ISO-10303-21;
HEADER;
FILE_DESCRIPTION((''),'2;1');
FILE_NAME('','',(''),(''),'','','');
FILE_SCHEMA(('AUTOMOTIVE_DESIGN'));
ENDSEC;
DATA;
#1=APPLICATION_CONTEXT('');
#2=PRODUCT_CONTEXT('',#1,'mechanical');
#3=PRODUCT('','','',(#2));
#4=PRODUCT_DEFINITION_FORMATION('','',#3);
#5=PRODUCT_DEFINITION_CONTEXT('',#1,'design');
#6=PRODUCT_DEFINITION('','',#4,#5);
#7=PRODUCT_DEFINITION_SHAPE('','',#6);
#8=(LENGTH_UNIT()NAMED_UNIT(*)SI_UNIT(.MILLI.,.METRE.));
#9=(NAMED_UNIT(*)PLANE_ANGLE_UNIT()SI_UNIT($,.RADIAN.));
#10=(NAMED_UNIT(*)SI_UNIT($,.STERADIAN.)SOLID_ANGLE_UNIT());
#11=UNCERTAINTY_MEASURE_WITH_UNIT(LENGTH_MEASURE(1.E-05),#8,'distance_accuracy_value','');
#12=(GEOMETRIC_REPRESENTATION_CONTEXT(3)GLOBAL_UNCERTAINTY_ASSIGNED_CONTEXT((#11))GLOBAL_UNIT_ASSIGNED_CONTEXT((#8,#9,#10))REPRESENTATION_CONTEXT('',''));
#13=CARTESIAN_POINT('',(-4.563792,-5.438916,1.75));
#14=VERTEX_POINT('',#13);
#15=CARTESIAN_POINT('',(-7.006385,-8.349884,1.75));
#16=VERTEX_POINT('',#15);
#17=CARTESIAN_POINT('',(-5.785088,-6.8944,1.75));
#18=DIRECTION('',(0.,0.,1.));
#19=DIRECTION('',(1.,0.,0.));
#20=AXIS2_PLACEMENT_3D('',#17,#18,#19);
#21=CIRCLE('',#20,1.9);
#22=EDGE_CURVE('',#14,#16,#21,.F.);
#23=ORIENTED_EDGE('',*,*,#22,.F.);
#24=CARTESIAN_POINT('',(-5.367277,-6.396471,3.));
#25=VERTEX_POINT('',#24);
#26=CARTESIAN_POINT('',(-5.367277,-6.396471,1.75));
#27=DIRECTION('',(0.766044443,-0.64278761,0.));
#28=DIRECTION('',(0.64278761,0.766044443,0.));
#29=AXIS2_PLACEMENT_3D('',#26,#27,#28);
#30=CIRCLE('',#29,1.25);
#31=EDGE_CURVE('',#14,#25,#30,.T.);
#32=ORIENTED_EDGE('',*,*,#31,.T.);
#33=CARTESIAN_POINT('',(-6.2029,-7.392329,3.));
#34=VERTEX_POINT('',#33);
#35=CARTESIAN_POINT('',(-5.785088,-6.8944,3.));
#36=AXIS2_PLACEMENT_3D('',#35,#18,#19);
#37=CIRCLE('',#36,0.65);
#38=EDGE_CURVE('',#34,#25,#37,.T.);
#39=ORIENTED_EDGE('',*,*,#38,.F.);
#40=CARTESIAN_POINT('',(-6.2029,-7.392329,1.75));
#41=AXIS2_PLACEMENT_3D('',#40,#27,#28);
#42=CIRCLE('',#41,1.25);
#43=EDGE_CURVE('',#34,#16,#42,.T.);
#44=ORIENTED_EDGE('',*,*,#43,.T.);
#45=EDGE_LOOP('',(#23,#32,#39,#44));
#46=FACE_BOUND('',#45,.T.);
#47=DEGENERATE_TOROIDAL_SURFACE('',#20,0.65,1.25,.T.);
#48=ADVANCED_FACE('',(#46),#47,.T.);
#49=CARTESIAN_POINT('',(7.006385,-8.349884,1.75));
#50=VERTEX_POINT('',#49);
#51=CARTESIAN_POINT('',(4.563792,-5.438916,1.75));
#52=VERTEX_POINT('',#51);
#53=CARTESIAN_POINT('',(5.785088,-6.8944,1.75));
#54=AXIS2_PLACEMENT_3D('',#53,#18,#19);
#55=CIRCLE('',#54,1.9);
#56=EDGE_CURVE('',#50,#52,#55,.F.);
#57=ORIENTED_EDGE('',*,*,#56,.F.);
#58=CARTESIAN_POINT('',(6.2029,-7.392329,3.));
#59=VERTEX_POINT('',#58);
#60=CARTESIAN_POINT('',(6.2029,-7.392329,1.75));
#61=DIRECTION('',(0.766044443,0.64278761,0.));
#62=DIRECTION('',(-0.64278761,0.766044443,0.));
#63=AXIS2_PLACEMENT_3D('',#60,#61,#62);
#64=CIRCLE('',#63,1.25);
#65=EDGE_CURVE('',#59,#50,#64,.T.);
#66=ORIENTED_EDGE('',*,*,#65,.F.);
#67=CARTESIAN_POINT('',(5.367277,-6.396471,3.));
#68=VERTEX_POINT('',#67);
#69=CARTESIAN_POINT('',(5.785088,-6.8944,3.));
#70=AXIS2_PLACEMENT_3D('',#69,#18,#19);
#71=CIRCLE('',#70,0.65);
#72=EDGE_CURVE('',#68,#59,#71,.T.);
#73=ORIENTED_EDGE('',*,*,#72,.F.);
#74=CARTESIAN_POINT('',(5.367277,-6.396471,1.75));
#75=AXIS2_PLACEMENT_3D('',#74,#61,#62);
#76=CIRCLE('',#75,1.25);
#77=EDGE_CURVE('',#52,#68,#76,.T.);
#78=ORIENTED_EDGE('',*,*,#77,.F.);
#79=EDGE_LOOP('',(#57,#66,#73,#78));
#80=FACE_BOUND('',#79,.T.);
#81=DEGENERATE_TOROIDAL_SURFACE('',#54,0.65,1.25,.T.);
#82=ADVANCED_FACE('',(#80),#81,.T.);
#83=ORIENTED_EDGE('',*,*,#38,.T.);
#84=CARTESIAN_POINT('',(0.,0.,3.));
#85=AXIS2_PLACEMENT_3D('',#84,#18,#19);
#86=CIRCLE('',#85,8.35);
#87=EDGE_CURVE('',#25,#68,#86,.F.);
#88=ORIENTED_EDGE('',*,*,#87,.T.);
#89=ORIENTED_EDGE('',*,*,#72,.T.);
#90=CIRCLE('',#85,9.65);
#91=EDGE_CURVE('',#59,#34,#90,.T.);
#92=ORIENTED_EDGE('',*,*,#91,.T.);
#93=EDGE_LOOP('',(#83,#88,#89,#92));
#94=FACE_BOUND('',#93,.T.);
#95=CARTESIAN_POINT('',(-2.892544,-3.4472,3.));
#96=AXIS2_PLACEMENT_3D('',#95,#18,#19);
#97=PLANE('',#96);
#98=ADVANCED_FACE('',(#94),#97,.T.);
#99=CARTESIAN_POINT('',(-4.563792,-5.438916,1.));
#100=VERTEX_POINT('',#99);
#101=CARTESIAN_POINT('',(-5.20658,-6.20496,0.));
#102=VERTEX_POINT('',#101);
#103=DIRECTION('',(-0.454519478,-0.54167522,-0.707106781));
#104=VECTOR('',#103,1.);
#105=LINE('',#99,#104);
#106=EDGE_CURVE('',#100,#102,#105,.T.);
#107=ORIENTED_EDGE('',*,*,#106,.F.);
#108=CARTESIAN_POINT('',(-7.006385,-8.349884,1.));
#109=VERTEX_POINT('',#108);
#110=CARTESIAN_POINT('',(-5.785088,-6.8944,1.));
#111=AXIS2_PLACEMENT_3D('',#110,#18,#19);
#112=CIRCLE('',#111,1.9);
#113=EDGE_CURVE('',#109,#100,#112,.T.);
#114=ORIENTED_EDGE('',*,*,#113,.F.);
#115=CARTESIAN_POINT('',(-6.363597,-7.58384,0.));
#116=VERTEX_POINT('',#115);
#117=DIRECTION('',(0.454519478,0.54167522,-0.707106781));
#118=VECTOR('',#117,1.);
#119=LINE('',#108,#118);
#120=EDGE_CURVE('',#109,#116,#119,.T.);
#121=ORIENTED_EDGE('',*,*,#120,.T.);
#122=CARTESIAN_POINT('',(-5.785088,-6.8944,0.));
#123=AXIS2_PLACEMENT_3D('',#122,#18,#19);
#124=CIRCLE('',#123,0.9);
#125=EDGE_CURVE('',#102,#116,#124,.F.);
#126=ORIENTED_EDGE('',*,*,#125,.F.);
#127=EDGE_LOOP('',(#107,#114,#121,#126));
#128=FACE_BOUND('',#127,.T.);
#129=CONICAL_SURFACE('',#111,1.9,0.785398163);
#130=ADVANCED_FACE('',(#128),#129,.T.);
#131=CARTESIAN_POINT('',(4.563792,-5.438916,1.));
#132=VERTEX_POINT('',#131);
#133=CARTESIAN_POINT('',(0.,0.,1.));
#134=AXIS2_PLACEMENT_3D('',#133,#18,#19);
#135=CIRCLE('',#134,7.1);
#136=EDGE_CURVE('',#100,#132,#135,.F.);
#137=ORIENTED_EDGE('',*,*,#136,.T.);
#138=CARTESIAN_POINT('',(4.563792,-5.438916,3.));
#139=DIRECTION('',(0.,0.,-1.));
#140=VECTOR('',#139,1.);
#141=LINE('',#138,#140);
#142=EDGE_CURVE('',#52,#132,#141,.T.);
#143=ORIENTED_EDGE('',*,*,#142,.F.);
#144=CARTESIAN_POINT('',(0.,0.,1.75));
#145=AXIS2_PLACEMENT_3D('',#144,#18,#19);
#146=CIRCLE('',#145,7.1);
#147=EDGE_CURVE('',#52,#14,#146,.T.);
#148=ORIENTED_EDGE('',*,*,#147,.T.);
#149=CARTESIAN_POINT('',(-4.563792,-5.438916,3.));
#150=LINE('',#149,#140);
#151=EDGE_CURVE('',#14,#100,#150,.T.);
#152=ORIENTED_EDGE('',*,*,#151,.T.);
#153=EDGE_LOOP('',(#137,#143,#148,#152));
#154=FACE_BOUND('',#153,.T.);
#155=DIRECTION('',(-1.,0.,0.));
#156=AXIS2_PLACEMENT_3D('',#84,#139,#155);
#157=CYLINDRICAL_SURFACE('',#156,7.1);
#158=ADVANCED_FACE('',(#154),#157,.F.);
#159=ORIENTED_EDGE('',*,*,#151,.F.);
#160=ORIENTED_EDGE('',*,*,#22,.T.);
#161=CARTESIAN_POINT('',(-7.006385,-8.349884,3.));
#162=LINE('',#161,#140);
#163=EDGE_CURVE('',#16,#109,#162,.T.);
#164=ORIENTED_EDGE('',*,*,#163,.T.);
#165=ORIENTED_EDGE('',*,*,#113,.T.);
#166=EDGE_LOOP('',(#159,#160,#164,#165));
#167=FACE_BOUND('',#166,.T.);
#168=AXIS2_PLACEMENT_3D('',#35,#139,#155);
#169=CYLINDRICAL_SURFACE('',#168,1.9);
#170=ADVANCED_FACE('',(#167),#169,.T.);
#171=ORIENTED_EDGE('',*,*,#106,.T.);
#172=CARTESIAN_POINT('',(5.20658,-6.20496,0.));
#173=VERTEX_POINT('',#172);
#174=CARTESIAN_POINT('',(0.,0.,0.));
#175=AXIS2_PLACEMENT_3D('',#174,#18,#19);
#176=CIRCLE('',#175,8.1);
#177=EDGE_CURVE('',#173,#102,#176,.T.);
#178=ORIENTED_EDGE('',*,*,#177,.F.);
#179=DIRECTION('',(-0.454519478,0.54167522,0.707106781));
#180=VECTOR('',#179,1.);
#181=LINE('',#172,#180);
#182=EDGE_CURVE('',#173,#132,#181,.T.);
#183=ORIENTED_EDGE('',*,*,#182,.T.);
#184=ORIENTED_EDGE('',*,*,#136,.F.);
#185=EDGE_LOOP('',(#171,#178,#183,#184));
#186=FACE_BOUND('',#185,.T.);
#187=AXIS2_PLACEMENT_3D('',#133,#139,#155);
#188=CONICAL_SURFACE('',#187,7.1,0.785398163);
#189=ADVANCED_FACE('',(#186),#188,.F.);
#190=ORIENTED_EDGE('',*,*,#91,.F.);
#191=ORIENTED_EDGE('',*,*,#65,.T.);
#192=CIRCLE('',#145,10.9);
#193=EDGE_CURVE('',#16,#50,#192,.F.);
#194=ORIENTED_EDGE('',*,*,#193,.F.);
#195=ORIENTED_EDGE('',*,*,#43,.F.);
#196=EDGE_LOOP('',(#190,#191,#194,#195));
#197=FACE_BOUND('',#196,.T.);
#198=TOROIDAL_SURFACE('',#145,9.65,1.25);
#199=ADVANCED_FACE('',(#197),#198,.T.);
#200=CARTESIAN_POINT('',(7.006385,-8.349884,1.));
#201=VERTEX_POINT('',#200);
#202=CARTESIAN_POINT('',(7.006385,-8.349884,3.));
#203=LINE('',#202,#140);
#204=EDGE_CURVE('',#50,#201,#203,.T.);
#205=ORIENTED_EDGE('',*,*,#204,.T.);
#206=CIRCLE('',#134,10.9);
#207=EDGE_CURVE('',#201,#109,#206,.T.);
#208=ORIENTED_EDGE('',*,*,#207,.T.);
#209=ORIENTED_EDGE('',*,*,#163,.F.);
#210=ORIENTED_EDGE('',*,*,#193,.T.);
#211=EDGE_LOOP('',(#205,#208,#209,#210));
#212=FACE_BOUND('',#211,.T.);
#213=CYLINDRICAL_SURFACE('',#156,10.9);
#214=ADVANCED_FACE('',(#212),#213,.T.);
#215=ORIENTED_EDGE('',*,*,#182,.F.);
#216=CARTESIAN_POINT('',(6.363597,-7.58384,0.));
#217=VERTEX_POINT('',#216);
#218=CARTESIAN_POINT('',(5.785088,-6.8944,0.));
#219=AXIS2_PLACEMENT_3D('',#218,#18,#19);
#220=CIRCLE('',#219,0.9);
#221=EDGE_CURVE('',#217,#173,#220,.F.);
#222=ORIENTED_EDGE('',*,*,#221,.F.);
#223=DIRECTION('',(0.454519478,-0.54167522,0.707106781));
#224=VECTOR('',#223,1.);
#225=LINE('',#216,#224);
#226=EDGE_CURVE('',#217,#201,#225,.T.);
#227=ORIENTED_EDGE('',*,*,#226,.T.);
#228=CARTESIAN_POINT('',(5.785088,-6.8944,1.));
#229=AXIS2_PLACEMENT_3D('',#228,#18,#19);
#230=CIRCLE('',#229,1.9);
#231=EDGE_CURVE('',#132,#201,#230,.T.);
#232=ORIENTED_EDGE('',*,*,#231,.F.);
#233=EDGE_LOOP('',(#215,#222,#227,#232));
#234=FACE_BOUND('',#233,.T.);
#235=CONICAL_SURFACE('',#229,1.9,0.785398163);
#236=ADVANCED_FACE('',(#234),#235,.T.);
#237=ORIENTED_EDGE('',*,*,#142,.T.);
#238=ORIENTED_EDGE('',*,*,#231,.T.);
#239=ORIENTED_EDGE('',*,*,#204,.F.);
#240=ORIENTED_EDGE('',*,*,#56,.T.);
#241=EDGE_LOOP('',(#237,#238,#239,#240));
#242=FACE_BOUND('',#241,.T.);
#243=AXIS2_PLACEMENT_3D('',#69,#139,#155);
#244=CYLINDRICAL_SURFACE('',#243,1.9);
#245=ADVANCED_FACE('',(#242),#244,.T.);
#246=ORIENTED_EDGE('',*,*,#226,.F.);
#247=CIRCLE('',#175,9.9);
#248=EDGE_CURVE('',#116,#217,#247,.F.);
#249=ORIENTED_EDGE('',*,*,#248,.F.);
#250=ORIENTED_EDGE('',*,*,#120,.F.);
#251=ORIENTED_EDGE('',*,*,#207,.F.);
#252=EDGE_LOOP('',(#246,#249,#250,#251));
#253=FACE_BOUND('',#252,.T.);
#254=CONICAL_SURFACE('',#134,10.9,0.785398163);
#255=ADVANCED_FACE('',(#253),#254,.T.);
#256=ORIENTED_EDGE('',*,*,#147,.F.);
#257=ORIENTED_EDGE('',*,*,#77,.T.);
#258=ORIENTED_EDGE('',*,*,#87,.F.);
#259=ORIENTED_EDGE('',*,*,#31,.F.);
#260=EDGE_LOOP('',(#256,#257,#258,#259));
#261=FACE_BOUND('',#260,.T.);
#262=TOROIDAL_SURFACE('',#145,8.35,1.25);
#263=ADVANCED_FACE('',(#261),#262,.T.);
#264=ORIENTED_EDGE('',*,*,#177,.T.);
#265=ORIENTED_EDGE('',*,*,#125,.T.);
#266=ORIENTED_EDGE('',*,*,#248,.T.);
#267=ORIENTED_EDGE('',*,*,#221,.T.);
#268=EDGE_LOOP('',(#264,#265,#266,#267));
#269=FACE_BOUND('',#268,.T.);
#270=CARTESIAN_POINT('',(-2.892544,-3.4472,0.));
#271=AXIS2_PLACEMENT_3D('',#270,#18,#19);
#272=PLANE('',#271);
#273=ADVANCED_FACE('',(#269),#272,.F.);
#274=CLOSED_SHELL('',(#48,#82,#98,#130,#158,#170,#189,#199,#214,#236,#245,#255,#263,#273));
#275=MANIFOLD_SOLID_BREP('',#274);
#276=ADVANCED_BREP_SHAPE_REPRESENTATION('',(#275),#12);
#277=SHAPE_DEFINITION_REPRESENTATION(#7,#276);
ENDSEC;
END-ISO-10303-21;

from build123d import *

# Parameters (mm, degrees)
BOSS_EXTRUDE1_DEPTH = 3
CHAMFER1_SIZE       = 1
FILLET1_R           = 1.25


with BuildPart() as part:
    # Sketch1 → Boss-Extrude1 (new body)
    with BuildSketch(Plane.XY):
        with BuildLine():
            ThreePointArc((4.563792029, -5.438915546), (0, 7.1), (-4.563792029, -5.438915546))
            ThreePointArc((-4.563792029, -5.438915546), (-4.329604045, -8.115696446), (-7.006384946, -8.34988443))
            ThreePointArc((-7.006384946, -8.34988443), (0, 10.9), (7.006384946, -8.34988443))
            ThreePointArc((7.006384946, -8.34988443), (4.329604045, -8.115696446), (4.563792029, -5.438915546))
        make_face()
    extrude(amount=BOSS_EXTRUDE1_DEPTH)

    # Chamfer1
    chamfer1_edges = [part.edges().sort_by_distance(p)[0] for p in [
        (0, 10.9, 0),
        (4.329604045, -8.115696446, 0),
        (0, 7.1, 0),
        (-4.329604045, -8.115696446, 0),
    ]]
    chamfer(chamfer1_edges, length=CHAMFER1_SIZE)

    # Fillet1
    fillet1_edges = [part.edges().sort_by_distance(p)[0] for p in [
        (4.329604045, -8.115696446, 3),
        (0, 10.9, 3),
        (-4.329604045, -8.115696446, 3),
        (0, 7.1, 3),
    ]]
    fillet(fillet1_edges, radius=FILLET1_R)


solid = part.part
